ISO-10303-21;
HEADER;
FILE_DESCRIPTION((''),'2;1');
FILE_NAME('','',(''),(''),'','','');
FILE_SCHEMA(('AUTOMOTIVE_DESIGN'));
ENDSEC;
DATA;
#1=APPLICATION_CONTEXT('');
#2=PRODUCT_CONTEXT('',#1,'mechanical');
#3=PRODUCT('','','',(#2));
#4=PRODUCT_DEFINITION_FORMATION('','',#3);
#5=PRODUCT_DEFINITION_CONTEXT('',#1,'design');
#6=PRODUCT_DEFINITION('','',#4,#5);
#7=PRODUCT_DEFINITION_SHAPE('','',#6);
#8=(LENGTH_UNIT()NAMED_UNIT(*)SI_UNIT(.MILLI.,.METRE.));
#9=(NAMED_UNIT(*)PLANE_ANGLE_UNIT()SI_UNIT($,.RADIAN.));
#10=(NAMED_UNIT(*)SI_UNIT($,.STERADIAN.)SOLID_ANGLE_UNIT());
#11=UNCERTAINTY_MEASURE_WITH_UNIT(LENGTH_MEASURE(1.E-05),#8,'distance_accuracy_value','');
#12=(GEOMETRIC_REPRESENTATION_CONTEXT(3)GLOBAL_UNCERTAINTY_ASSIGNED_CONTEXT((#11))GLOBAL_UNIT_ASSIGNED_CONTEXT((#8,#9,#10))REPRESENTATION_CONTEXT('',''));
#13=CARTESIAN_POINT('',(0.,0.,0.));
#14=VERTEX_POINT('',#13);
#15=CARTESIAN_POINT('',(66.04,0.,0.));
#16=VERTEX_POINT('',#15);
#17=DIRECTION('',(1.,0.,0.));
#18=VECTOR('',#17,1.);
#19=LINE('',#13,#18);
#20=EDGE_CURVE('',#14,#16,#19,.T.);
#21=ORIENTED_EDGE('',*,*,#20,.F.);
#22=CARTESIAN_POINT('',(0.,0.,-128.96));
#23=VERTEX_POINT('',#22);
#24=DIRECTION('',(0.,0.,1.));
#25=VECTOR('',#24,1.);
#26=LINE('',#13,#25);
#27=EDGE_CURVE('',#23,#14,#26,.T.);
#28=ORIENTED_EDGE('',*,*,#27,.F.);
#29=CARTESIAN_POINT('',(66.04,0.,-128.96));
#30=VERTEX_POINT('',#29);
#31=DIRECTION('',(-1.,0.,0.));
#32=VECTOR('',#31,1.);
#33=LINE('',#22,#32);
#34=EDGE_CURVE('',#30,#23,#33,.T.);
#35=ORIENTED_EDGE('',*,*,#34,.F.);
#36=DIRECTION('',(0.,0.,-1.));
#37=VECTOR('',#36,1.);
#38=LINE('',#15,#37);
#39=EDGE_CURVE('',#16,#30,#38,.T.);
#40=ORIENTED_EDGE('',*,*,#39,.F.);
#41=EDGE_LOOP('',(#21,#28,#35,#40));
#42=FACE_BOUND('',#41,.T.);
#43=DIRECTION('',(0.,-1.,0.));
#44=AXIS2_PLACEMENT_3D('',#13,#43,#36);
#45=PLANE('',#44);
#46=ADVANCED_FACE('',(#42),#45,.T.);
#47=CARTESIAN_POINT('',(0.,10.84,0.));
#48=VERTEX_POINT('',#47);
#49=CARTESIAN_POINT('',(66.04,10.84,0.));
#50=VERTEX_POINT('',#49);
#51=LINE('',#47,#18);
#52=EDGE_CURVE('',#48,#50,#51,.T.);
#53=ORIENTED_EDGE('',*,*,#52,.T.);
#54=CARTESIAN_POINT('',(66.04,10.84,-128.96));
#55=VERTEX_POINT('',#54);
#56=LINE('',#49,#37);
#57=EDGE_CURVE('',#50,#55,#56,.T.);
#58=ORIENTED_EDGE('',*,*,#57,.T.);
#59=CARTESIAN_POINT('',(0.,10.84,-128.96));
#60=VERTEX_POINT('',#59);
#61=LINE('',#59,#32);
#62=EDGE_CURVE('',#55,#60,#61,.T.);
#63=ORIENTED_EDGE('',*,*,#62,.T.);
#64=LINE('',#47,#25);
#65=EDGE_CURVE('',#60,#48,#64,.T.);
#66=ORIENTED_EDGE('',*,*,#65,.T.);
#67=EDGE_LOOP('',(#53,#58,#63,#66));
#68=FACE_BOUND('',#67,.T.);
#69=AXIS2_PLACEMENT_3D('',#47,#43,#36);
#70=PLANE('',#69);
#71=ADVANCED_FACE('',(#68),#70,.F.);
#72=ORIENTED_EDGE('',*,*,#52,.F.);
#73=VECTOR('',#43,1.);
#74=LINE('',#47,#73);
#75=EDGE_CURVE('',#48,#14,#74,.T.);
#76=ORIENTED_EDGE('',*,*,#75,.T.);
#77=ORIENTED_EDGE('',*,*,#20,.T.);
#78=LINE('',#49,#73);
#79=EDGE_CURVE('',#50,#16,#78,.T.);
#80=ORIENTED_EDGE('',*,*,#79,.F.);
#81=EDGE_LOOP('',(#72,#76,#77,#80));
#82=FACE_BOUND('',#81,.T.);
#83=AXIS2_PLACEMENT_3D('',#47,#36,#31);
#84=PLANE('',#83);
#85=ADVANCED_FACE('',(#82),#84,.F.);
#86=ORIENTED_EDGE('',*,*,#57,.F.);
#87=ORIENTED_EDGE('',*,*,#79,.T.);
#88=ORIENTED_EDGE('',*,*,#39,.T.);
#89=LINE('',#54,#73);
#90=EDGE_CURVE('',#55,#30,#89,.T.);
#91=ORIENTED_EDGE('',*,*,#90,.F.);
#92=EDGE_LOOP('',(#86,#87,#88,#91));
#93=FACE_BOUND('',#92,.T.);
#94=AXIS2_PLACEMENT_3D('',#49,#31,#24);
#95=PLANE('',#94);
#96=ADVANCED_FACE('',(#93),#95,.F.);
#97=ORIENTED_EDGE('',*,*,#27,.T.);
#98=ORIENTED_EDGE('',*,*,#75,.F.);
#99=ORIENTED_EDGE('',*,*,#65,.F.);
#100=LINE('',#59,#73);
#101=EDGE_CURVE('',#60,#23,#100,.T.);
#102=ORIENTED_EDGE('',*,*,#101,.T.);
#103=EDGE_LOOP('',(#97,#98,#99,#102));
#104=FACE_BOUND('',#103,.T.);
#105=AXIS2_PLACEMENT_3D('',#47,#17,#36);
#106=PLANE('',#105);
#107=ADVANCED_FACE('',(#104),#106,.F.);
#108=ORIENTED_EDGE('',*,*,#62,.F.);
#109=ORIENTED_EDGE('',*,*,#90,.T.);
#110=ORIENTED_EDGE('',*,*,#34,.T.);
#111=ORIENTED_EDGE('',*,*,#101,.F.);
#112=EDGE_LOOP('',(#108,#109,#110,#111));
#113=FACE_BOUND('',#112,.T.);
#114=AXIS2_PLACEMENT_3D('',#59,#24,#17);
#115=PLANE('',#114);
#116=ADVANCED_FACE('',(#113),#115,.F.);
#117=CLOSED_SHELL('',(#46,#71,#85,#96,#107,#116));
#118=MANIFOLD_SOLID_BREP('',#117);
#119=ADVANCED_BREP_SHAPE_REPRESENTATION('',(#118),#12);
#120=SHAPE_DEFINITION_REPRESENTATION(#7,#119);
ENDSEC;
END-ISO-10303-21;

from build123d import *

# Parameters (mm, degrees)
SKETCH1_W           = 66.04
SKETCH1_H           = 128.96
BOSS_EXTRUDE1_DEPTH = 10.84


with BuildPart() as part:
    # Sketch1 → Boss-Extrude1 (new body)
    with BuildSketch(Plane(origin=(0, 0, 0), x_dir=(1, 0, 0), z_dir=(0, 1, 0))):
        with Locations((33.02, 64.48)):
            Rectangle(SKETCH1_W, SKETCH1_H)
    extrude(amount=BOSS_EXTRUDE1_DEPTH)


solid = part.part
